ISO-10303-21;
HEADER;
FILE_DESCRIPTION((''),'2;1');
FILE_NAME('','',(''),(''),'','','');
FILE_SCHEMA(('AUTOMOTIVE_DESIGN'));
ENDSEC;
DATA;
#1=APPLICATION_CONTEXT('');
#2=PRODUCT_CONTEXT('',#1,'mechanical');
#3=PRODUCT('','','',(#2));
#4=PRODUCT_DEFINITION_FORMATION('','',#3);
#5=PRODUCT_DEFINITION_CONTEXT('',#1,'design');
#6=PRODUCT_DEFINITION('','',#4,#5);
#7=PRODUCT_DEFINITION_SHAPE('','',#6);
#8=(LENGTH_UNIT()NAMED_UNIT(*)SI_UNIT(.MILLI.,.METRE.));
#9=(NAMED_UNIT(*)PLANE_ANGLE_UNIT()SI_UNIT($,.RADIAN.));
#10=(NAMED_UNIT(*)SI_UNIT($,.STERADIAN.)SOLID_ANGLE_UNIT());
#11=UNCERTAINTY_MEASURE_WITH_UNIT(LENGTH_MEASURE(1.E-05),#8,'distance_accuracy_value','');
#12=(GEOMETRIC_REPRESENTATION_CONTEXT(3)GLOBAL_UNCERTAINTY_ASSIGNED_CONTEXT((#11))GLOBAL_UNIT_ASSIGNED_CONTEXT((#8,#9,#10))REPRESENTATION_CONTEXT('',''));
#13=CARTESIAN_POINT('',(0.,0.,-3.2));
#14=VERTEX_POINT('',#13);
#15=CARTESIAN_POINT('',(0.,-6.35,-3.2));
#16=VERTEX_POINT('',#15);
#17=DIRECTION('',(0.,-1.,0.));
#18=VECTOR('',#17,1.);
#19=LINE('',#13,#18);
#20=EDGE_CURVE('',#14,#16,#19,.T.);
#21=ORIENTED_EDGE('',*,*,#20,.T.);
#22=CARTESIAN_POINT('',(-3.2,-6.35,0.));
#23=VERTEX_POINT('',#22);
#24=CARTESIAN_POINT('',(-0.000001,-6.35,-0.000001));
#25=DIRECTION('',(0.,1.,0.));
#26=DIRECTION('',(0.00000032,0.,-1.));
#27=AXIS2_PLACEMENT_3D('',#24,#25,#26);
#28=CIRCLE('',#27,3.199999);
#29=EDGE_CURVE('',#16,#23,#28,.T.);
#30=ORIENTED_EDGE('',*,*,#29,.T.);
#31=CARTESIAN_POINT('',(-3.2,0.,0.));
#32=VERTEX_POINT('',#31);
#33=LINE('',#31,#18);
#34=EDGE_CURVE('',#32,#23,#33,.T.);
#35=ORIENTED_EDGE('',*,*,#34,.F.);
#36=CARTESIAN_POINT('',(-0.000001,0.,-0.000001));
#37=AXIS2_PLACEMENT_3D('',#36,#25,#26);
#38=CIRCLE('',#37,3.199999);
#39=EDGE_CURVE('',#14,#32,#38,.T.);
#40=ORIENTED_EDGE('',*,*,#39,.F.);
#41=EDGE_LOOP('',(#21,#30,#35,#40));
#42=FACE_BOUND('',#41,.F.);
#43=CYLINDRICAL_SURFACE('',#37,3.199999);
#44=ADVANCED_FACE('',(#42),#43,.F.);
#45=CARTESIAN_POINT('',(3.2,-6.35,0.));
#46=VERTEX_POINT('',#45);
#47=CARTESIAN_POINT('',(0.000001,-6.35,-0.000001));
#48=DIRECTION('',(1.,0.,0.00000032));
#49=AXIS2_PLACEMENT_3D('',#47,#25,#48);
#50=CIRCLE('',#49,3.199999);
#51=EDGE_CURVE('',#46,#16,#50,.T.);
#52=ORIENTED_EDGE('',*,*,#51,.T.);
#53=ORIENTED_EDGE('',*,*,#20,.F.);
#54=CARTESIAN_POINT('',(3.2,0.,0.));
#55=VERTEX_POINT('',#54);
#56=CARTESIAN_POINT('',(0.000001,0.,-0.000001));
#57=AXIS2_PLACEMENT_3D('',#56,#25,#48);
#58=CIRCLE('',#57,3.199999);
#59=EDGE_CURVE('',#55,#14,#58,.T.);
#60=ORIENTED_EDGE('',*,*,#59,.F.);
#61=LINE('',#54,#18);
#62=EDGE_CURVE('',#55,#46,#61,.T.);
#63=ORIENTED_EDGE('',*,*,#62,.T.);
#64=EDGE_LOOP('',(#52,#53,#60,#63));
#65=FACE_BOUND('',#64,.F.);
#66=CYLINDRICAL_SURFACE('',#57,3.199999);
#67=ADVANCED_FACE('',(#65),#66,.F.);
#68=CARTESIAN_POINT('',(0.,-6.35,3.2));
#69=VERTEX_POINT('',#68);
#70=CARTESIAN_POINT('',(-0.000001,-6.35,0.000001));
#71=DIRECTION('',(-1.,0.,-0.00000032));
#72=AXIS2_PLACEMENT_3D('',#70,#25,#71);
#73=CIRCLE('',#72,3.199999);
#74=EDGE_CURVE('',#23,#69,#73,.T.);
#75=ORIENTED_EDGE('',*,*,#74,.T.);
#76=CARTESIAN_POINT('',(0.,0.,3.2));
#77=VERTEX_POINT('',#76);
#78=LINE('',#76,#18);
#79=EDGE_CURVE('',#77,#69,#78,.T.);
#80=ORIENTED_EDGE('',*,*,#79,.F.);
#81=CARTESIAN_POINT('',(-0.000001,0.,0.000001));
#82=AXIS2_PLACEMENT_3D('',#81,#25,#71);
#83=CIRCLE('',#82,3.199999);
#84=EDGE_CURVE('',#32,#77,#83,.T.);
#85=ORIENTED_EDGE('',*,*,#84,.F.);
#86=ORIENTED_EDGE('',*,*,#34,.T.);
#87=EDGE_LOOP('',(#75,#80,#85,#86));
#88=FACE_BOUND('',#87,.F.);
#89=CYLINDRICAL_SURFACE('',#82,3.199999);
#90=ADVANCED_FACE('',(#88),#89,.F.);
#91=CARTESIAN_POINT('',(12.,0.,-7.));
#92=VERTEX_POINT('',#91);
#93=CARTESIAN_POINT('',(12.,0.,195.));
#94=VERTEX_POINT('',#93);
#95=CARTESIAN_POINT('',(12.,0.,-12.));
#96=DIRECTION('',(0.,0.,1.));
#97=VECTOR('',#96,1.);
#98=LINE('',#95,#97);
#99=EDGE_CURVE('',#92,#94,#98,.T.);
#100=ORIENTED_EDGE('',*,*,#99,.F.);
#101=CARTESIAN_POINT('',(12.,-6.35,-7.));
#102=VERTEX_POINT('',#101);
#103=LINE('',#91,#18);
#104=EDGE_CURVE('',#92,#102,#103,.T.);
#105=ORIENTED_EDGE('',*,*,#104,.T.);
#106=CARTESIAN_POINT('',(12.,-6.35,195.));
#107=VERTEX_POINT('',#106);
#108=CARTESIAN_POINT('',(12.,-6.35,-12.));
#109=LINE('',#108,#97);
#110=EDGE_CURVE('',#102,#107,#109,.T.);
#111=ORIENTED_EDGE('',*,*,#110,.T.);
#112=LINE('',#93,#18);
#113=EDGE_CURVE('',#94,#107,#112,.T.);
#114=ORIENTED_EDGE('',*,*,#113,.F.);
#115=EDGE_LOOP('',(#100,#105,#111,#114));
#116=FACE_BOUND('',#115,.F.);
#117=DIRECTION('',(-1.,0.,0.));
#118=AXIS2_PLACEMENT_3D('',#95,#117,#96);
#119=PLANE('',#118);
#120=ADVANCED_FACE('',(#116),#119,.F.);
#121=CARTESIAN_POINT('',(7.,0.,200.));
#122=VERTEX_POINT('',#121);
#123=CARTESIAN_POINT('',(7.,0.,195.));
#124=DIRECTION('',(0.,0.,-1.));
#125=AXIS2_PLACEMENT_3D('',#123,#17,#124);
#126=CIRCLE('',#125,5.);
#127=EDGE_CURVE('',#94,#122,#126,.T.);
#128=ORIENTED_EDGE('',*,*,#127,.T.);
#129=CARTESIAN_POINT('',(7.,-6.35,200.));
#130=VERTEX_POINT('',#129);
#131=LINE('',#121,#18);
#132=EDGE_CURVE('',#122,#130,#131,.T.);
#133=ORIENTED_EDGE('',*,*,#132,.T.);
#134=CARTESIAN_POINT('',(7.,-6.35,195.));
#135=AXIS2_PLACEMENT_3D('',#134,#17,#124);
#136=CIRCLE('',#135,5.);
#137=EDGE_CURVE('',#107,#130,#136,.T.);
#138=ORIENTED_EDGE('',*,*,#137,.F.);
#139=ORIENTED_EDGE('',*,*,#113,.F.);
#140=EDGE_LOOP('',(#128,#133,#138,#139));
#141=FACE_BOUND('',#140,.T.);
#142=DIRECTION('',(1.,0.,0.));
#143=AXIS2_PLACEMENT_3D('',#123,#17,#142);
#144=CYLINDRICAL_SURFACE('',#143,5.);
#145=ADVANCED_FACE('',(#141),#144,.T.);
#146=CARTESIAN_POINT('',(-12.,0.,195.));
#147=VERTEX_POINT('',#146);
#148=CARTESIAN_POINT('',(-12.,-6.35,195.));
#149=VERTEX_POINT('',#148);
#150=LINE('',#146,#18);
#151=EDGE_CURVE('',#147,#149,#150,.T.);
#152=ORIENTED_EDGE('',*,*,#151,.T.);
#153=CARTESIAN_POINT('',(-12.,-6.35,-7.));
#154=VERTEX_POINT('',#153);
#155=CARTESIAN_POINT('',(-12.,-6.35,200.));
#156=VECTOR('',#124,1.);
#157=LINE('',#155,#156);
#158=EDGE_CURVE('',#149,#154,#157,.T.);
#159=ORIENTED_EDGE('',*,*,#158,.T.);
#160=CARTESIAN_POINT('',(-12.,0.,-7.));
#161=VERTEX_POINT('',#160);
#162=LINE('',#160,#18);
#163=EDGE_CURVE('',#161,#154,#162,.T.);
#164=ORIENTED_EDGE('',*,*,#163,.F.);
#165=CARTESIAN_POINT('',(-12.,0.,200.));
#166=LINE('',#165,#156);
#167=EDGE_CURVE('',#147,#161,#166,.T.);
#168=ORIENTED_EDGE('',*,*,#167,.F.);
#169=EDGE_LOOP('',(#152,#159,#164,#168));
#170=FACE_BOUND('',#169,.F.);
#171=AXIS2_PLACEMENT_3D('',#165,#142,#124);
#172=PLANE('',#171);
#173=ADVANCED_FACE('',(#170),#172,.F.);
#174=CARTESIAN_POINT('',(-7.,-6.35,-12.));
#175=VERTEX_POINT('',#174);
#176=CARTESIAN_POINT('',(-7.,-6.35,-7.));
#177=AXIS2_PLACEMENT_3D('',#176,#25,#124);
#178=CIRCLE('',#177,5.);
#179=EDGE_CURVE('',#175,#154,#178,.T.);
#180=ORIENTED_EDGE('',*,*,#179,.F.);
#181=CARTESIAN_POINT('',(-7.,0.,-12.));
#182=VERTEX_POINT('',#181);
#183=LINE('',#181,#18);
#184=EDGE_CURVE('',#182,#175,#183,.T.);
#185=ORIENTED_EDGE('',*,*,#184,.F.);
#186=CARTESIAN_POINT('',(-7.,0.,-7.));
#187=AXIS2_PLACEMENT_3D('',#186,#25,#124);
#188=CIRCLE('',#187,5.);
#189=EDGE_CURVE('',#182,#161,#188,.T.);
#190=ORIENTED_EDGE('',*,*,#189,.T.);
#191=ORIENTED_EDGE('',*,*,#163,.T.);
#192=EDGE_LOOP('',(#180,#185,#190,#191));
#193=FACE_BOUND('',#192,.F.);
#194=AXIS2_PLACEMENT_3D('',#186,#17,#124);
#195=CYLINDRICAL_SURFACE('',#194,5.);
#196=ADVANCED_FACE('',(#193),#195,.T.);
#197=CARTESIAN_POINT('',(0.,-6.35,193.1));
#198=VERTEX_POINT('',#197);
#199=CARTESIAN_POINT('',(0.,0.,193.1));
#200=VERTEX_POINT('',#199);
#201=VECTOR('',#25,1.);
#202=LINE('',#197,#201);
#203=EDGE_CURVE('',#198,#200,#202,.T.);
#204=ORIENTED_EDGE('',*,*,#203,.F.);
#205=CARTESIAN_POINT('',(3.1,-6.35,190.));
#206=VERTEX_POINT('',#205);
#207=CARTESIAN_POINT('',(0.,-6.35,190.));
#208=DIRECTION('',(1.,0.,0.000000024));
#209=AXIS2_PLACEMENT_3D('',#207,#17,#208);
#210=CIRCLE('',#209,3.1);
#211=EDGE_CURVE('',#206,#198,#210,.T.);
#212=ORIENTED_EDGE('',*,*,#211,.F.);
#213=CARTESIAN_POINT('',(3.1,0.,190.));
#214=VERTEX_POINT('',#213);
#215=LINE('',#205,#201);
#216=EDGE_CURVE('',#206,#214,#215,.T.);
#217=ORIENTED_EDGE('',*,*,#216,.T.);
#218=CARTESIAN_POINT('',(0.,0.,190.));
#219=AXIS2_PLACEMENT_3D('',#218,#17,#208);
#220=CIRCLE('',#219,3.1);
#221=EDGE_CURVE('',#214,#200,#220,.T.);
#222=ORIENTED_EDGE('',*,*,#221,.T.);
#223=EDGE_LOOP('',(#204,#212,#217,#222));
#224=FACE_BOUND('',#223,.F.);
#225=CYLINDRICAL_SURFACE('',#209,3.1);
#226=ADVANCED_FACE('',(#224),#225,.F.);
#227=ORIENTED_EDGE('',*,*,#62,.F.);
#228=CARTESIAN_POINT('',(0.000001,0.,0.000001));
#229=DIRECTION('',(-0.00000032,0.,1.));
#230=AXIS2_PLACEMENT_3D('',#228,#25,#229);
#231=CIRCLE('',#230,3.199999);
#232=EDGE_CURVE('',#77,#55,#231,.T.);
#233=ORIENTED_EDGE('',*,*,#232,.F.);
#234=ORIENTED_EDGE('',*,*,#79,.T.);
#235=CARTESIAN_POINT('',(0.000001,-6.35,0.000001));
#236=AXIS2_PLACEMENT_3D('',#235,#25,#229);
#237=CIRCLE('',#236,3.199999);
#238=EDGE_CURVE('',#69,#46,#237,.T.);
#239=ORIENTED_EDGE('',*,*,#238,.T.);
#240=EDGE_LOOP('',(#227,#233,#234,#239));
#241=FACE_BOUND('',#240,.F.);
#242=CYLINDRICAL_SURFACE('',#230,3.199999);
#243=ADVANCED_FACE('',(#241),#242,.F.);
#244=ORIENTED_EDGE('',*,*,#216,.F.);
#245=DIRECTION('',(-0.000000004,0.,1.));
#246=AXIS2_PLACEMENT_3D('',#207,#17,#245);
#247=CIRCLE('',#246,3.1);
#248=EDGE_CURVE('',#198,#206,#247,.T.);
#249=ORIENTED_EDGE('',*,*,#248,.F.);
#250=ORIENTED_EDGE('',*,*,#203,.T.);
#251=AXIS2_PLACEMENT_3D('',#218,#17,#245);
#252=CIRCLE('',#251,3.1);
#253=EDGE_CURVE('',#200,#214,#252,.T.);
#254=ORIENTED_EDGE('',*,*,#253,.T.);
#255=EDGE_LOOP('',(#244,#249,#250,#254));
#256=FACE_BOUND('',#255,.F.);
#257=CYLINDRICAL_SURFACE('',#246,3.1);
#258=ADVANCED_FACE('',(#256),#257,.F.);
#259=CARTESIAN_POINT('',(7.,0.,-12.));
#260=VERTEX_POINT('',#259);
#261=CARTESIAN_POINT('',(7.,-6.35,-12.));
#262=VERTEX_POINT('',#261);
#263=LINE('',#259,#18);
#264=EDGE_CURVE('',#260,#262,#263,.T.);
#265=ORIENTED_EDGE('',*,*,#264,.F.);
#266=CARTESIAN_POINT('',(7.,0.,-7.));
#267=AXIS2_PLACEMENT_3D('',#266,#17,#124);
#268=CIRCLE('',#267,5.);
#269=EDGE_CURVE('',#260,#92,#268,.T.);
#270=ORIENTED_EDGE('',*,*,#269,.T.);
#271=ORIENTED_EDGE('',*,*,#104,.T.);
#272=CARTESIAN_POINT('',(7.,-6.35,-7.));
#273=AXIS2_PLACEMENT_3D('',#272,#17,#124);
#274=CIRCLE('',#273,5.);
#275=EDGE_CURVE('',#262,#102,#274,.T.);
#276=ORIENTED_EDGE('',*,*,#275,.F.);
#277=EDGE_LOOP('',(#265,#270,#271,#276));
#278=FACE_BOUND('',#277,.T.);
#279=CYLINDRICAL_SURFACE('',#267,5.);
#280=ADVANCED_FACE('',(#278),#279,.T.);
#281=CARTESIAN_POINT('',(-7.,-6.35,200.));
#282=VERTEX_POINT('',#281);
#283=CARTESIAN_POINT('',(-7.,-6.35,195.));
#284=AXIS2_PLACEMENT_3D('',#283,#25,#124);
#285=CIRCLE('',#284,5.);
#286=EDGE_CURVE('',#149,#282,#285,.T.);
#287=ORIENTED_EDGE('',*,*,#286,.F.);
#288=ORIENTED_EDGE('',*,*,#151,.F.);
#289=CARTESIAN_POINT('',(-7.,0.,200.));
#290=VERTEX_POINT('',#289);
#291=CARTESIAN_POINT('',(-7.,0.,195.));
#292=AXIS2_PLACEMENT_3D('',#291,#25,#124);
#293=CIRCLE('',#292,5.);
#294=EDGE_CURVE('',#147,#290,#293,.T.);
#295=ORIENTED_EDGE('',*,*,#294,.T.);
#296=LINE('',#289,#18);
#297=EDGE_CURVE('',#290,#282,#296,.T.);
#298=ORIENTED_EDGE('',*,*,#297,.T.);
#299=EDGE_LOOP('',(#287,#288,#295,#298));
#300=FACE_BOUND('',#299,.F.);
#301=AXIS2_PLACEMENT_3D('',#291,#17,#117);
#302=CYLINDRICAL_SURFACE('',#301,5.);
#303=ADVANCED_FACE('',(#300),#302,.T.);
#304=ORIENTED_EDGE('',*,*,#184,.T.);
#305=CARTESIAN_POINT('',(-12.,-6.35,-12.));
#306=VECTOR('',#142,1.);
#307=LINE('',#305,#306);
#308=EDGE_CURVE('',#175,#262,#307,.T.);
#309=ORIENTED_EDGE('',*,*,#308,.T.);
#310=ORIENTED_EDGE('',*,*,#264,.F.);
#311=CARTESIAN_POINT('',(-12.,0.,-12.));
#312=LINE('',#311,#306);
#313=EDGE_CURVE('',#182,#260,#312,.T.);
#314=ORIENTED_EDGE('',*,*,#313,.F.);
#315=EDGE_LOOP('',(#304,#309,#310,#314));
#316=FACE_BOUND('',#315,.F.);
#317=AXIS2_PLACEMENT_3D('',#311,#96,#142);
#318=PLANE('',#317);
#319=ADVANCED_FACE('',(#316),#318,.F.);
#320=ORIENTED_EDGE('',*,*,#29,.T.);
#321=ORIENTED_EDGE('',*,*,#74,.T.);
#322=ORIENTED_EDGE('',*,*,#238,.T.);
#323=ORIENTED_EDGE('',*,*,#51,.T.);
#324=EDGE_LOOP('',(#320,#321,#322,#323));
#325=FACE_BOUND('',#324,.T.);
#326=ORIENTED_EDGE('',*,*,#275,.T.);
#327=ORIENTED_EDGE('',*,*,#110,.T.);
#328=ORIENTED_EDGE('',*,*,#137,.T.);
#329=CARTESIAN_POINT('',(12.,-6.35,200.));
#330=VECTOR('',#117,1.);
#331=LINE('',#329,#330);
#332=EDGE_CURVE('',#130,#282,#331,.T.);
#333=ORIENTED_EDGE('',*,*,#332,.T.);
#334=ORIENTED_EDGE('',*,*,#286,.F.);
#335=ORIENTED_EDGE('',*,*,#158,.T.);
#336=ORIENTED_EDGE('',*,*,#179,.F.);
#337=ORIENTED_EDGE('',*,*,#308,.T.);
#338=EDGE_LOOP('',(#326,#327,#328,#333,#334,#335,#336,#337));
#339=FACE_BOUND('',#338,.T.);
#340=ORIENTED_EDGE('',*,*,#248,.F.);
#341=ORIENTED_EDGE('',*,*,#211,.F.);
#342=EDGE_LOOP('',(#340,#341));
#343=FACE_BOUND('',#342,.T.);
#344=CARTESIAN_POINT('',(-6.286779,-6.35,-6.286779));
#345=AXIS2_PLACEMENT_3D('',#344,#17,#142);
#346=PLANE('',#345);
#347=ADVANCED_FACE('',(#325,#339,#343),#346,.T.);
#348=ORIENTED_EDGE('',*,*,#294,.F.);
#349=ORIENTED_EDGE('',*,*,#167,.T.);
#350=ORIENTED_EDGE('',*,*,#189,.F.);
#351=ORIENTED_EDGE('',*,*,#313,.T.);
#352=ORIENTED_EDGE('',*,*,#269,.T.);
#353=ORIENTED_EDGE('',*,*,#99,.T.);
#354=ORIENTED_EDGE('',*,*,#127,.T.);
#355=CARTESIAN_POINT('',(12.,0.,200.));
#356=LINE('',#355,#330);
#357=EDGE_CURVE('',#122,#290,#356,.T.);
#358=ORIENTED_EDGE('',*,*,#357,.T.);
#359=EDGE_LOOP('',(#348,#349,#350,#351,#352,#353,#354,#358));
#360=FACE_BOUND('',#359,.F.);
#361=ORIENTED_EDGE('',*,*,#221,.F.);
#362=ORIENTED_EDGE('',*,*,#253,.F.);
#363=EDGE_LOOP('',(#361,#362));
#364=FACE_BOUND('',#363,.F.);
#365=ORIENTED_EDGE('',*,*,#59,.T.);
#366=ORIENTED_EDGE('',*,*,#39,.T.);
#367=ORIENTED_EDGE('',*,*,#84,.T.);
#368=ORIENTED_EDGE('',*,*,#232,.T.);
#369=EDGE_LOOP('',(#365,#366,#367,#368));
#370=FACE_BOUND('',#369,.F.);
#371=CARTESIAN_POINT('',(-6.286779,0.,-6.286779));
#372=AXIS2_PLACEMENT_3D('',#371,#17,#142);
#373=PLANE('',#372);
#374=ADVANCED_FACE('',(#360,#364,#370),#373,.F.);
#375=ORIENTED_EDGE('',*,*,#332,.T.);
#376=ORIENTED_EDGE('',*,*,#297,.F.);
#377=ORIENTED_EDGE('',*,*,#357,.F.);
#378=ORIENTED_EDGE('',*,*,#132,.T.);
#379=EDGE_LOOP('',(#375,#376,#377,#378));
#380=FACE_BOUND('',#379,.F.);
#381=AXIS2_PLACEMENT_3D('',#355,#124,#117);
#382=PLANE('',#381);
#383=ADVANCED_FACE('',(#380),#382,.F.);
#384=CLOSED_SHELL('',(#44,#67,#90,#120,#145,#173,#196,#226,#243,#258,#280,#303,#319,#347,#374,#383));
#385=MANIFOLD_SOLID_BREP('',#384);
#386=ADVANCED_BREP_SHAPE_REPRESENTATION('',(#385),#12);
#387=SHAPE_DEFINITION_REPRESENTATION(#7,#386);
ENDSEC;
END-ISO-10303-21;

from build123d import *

# Parameters (mm, degrees)
F1_DEPTH = 6.35
F3_DEPTH = 25
F4_R     = 5


with BuildPart() as f1:
    # F0 (on Front) → F1 (new body)
    with BuildSketch(Plane.XZ):
        with BuildLine():
            Line((0, -12), (0, -3.2))
            ThreePointArc((0, -3.2), (-2.262742, -2.262742), (-3.2, 0))
            Line((-3.2, 0), (-12, 0))
            Line((-12, 0), (-12, -12))
            Line((-12, -12), (0, -12))
        make_face()
        with BuildLine():
            ThreePointArc((0, 3.2), (2.262742, 2.262742), (3.2, 0))
            ThreePointArc((3.2, 0), (2.262742, -2.262742), (0, -3.2))
            Line((0, -3.2), (0, -12))
            Line((0, -12), (12, -12))
            Line((12, -12), (12, 200))
            Line((12, 200), (0, 200))
            Line((0, 200), (0, 3.2))
        make_face()
        with BuildLine():
            ThreePointArc((-3.2, 0), (-2.262742, 2.262742), (0, 3.2))
            Line((0, 3.2), (0, 200))
            Line((0, 200), (-12, 200))
            Line((-12, 200), (-12, 0))
            Line((-12, 0), (-3.2, 0))
        make_face()
    extrude(amount=F1_DEPTH)

    # F2 (on face) → F3 (cut)
    with BuildSketch(Plane.XZ.offset(6.35)):
        with BuildLine():
            ThreePointArc((0, 193.1), (-2.192031, 187.807969), (3.1, 190))
            ThreePointArc((3.1, 190), (2.192031, 192.192031), (0, 193.1))
        make_face()
    extrude(amount=-F3_DEPTH, mode=Mode.SUBTRACT)

    # F4
    f4_edges = [f1.edges().sort_by_distance(p)[0] for p in [
        (12, -3.175, 200),
        (-12, -3.175, 200),
        (12, -3.175, -12),
        (-12, -3.175, -12),
    ]]
    fillet(f4_edges, radius=F4_R)


solid = f1.part
